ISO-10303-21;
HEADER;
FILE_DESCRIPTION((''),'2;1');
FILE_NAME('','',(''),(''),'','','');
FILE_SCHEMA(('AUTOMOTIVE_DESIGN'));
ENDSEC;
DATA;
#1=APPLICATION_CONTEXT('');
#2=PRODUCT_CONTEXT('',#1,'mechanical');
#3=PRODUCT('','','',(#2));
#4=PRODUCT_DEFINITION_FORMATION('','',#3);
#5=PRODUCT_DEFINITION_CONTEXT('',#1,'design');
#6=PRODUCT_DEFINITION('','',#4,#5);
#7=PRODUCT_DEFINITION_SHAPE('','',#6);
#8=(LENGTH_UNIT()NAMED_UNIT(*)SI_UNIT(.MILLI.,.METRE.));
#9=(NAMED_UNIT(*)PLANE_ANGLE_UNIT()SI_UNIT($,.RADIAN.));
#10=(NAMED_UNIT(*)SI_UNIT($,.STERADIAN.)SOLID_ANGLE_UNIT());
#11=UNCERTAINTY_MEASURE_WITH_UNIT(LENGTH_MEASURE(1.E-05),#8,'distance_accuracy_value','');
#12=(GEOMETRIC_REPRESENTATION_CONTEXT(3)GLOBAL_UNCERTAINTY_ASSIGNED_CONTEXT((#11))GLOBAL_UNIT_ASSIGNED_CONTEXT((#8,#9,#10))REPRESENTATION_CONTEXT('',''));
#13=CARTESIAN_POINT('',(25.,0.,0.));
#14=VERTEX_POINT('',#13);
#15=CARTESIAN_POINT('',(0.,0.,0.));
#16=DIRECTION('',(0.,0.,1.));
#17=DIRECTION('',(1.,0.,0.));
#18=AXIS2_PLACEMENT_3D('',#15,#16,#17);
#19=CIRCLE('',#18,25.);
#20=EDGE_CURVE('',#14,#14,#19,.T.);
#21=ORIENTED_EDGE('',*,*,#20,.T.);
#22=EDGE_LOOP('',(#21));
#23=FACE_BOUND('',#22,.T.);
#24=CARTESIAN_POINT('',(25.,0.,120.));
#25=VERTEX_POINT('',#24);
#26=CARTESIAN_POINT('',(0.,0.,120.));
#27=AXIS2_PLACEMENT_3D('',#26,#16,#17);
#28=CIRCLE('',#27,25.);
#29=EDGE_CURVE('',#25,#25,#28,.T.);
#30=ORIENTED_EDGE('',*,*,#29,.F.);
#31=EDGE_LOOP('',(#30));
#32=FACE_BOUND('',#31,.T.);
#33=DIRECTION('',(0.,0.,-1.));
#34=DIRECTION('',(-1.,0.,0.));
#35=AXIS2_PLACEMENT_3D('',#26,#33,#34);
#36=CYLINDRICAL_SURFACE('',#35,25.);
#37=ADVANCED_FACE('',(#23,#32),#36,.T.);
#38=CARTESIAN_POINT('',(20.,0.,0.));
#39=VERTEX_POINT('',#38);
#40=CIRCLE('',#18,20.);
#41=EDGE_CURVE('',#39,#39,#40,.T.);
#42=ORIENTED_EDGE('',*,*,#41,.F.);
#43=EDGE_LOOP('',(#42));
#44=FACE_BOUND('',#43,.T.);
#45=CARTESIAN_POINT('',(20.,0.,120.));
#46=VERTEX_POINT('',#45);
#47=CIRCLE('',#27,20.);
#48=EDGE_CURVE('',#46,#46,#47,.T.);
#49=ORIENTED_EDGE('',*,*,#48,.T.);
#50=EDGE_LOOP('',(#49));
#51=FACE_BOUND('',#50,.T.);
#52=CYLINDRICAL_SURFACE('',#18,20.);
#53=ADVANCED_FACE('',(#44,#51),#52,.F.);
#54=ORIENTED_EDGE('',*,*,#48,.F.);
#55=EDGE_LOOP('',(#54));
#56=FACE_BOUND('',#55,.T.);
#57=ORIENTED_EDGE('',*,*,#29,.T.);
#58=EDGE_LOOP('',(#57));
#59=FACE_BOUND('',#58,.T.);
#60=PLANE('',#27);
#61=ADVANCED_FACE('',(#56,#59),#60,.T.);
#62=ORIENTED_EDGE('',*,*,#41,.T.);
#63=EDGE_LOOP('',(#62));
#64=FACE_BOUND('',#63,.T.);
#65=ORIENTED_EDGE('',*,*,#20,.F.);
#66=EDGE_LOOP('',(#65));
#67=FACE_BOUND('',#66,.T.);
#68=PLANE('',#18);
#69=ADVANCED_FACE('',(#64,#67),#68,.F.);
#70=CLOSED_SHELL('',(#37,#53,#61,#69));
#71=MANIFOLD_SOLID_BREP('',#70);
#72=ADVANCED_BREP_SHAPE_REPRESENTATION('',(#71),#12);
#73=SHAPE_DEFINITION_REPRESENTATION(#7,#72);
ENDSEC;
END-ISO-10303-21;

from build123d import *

# Parameters (mm, degrees)
SKETCH1_R           = 25
BOSS_EXTRUDE1_DEPTH = 120
SKETCH2_R           = 20
CUT_EXTRUDE1_DEPTH  = 126.099960032


with BuildPart() as part:
    # Sketch1 → Boss-Extrude1 (new body)
    with BuildSketch(Plane.XY):
        Circle(SKETCH1_R)
    extrude(amount=BOSS_EXTRUDE1_DEPTH)

    # Sketch2 → Cut-Extrude1 (cut, through all)
    with BuildSketch(Plane.XY.offset(120)):
        Circle(SKETCH2_R)
    extrude(amount=-CUT_EXTRUDE1_DEPTH, mode=Mode.SUBTRACT)


solid = part.part
